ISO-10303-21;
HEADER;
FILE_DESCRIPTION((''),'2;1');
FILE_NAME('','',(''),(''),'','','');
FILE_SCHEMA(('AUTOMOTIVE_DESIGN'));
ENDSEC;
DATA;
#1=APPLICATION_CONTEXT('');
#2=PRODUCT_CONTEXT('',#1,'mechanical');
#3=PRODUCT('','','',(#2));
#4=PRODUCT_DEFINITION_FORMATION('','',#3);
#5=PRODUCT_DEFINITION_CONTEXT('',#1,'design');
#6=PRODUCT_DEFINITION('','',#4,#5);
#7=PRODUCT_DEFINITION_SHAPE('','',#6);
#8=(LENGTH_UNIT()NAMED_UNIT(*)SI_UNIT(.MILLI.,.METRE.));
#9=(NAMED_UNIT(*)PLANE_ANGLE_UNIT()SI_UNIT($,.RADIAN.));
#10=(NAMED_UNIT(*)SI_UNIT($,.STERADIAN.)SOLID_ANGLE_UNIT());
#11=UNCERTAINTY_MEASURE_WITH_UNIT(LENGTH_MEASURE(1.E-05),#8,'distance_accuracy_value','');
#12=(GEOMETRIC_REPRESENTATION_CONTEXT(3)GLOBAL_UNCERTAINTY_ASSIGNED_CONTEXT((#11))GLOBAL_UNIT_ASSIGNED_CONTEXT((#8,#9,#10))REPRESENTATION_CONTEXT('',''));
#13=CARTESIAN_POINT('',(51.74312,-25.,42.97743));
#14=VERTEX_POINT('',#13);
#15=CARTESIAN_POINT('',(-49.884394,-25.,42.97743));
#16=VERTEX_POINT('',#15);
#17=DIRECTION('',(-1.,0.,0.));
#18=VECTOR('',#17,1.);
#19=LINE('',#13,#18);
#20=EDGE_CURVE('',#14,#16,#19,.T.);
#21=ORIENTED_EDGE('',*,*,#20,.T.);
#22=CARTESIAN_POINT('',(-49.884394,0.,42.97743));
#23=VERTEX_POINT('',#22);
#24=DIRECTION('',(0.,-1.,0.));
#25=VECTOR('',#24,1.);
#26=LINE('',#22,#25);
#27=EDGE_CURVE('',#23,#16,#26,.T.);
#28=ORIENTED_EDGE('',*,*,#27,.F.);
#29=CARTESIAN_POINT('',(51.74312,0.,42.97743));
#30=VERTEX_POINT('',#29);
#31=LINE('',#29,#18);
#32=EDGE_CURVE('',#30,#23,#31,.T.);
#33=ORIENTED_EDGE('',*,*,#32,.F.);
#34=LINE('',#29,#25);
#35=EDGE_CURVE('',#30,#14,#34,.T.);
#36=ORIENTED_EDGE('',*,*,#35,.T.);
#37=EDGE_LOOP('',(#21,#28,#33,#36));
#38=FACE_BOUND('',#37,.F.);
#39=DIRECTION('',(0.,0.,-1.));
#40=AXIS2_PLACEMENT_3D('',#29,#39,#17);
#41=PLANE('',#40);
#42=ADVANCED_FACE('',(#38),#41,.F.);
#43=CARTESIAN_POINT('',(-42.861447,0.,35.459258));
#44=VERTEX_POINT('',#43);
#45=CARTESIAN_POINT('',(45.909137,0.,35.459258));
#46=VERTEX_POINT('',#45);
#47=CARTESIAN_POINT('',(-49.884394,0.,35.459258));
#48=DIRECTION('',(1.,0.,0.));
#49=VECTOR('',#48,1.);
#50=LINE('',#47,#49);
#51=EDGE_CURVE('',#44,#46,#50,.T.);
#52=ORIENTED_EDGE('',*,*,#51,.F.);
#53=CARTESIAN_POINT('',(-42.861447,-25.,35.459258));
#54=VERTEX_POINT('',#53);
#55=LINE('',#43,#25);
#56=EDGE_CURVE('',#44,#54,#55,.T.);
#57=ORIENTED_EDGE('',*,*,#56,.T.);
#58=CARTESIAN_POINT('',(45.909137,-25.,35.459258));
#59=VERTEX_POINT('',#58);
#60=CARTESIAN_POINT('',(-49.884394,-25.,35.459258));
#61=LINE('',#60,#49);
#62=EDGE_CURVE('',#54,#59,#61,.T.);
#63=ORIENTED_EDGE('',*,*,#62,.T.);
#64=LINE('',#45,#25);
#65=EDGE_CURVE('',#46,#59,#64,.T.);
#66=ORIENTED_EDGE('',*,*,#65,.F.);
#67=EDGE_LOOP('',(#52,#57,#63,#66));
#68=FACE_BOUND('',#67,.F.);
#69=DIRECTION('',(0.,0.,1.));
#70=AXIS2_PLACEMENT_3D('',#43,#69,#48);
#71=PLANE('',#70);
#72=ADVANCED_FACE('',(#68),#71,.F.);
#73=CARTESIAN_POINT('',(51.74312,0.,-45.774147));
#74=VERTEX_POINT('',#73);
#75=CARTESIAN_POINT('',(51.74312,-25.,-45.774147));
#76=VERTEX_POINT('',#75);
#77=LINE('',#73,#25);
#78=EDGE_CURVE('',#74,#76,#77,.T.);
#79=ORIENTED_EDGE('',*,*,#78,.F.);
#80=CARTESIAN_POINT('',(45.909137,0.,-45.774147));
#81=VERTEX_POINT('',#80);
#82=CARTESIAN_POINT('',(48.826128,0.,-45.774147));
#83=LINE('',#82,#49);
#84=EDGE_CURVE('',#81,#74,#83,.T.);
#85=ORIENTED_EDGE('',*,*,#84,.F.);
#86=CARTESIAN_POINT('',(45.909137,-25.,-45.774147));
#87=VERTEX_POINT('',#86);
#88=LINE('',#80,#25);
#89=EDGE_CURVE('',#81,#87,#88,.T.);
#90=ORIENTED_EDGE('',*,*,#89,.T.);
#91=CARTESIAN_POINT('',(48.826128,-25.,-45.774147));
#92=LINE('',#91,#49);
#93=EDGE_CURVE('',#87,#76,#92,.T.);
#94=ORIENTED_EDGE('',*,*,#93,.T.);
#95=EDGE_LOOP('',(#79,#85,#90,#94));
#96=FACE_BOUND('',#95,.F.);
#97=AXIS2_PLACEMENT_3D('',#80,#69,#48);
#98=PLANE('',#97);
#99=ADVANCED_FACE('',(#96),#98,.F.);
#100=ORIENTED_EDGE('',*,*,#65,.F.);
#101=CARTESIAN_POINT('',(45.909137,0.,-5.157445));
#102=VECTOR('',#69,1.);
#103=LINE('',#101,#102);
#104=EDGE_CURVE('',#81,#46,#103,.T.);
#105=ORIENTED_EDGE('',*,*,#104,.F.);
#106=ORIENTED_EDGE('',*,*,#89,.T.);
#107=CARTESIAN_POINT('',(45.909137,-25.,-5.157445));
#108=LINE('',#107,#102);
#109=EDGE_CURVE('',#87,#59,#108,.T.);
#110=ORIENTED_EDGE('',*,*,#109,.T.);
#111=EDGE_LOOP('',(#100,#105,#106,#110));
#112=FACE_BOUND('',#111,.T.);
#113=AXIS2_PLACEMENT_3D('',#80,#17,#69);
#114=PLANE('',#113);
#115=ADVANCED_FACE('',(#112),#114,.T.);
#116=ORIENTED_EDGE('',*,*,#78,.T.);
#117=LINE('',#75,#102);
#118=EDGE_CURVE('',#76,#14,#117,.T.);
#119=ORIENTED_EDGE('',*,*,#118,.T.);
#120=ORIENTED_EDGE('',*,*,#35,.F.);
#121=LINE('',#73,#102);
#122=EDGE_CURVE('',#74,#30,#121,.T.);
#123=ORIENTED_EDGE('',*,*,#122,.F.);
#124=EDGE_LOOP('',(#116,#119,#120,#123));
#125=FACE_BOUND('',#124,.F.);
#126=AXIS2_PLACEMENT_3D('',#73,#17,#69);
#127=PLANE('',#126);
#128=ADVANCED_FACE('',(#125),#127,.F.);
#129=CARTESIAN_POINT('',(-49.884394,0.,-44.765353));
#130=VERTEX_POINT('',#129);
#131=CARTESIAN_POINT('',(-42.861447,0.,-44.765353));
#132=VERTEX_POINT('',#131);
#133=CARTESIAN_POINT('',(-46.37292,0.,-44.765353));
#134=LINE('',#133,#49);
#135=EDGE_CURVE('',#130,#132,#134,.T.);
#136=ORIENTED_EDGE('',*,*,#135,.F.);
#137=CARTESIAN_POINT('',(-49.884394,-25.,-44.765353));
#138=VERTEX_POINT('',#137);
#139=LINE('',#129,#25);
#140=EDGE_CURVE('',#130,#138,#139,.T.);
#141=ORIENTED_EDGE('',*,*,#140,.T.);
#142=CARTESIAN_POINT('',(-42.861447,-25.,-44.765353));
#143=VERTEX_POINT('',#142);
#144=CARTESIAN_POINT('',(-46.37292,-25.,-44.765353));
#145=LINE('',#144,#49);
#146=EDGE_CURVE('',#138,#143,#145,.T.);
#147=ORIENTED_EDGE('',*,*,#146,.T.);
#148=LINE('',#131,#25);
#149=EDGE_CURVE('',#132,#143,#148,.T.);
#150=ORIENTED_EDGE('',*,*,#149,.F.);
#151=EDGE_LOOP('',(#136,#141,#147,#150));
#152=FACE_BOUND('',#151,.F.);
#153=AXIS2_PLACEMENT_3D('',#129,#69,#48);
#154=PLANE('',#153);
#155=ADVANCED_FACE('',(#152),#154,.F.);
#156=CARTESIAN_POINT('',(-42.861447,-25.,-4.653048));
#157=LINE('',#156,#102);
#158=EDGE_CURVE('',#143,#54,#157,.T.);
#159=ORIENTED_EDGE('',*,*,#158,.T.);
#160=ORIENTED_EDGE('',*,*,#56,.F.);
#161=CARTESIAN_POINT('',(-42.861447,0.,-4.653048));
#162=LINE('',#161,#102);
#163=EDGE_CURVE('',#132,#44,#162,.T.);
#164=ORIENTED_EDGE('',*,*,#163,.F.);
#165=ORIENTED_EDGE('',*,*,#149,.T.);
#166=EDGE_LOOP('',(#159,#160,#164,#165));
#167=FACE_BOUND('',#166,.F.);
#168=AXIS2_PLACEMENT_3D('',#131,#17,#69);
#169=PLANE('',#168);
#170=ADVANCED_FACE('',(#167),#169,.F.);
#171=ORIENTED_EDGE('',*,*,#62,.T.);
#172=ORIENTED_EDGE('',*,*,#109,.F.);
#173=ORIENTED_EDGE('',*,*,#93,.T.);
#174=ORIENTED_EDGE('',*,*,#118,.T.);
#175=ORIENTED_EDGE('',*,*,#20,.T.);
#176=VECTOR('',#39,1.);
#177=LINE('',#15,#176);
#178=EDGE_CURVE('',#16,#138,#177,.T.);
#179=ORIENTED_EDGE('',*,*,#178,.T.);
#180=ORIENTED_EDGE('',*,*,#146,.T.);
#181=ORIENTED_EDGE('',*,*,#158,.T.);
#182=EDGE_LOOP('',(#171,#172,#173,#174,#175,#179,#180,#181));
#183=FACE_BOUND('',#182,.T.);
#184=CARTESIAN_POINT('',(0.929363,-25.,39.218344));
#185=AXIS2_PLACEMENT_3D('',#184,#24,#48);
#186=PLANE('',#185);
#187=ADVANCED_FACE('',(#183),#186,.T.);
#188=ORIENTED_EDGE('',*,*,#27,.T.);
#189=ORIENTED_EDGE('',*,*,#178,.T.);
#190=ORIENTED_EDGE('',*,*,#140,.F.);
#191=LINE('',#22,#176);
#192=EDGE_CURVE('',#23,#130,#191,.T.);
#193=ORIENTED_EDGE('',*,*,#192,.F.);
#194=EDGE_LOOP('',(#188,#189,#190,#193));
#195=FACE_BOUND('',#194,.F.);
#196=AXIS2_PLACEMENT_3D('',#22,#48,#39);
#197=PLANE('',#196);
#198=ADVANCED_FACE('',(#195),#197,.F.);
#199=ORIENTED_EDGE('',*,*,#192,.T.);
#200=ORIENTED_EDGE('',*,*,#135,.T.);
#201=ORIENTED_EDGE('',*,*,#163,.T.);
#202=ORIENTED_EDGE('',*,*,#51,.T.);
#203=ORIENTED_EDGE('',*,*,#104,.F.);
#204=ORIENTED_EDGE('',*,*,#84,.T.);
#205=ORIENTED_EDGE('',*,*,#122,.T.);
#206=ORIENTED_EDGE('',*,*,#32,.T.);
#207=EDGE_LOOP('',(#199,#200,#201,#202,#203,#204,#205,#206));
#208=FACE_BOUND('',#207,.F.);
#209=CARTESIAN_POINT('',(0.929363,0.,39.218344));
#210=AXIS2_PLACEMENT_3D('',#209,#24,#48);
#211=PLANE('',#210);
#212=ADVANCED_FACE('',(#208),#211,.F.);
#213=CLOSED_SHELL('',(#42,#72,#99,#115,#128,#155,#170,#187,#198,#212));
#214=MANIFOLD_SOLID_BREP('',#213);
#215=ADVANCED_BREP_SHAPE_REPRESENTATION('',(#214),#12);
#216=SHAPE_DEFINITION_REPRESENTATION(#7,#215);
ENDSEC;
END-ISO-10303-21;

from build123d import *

# Parameters (mm, degrees)
F0_W     = 7.022947073
F0_H     = 80.2246108651
F0_W_2   = 5.8339834213
F0_H_2   = 81.2334045768
F1_DEPTH = 25


with BuildPart() as f1:
    # F0 (on Front) → F1 (new body)
    with BuildSketch(Plane.XZ):
        Polygon((51.7431199551, 42.9774299264), (-49.8843938112, 42.9774299264), (-49.8843938112, 35.4592576623), (-42.8614467382, 35.4592576623), (45.9091365337, 35.4592576623), (51.7431199551, 35.4592576623), align=None)
        with Locations((-46.3729202747, -4.6530477703)):
            Rectangle(F0_W, F0_H)
        with Locations((48.8261282444, -5.1574446261)):
            Rectangle(F0_W_2, F0_H_2)
    extrude(amount=F1_DEPTH)


solid = f1.part
